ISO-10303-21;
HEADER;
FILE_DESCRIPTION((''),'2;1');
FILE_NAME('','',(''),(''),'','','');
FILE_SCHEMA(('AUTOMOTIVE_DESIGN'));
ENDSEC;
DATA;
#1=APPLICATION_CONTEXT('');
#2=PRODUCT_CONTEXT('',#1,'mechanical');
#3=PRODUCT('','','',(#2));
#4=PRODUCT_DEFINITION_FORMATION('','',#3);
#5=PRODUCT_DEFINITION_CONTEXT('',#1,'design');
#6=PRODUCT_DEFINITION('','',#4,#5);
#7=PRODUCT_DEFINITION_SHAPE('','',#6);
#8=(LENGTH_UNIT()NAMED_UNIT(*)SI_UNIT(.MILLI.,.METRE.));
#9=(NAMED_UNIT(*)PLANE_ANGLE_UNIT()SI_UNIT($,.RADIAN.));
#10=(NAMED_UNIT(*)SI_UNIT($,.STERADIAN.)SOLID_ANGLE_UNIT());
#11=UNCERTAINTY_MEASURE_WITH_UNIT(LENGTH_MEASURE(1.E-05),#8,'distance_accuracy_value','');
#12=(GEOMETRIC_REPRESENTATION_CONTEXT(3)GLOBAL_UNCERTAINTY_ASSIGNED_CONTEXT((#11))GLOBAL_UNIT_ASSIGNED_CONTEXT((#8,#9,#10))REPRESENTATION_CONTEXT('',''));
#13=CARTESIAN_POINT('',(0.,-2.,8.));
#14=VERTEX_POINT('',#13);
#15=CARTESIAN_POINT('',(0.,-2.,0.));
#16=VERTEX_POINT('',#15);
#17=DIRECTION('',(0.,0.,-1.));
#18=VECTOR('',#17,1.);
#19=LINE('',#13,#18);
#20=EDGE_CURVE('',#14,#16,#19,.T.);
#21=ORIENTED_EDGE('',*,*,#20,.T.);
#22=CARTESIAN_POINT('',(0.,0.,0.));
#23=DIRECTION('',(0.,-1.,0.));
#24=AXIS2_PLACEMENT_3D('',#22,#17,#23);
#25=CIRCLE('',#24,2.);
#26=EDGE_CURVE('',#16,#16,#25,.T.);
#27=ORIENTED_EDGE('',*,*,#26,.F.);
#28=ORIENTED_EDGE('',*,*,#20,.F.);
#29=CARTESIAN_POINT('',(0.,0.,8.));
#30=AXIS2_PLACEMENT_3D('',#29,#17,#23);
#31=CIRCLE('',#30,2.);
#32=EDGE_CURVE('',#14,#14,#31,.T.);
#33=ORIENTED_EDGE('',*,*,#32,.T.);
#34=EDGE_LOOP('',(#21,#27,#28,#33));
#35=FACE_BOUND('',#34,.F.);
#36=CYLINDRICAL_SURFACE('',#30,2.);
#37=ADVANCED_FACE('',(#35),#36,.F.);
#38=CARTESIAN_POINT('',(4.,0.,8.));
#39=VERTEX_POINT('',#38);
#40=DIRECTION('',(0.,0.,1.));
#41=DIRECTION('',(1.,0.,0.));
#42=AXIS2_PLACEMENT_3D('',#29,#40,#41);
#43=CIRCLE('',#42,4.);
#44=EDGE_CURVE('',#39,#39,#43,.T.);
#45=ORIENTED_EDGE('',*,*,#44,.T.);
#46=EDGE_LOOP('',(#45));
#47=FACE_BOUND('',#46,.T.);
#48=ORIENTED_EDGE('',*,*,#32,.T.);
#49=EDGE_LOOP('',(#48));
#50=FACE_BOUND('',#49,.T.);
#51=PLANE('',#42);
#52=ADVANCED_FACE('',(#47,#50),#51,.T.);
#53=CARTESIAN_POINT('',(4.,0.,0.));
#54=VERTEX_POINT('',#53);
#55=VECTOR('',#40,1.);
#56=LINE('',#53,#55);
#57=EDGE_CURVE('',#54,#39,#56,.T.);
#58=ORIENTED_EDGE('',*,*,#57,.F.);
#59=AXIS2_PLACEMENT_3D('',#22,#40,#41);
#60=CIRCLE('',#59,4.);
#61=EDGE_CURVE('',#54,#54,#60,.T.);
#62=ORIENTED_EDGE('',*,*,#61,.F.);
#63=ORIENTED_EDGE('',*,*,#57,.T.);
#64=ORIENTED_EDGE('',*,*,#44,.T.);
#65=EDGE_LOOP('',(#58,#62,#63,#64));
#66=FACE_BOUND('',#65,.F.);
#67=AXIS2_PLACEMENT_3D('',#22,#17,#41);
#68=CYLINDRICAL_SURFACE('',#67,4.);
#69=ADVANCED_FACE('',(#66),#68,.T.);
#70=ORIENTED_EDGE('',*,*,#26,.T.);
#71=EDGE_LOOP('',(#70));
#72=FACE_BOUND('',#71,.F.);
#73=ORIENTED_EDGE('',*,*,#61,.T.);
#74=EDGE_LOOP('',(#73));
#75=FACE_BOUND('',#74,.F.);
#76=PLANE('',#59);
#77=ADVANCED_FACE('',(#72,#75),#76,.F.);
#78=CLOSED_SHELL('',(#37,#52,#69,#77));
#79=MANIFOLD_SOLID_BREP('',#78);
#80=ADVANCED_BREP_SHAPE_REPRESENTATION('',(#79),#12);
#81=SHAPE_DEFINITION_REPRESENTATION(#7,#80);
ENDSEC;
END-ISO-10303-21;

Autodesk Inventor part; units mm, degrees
ref_plane "YZ Plane" through (0, 0, 0) normal (1, 0, 0) x (0, 1, 0)
ref_plane "XZ Plane" through (0, 0, 0) normal (0, 1, 0) x (-1, 0, 0)
ref_plane "XY Plane" through (0, 0, 0) normal (0, 0, 1) x (1, 0, 0)
sketch "スケッチ1" plane through (0, 0, 0) normal (0, 0, 1) x (1, 0, 0)
  circle A0 centre (0, 0) radius 4
  dimension "d0" = 8
extrude "押し出し1" add sketch "スケッチ1" along normal blind 8
sketch "スケッチ2" plane through (0, 0, 8) normal (0, 0, 1) x (1, 0, 0)
  circle A0 centre (0, 0) radius 4 projected
hole "穴1" at (0, 0, 8) direction (0, 0, -1) diameter 4 depth 8 tip angle 118
properties part number "M4アルミスペーサ丸8" material "アルミニウム 7075"
